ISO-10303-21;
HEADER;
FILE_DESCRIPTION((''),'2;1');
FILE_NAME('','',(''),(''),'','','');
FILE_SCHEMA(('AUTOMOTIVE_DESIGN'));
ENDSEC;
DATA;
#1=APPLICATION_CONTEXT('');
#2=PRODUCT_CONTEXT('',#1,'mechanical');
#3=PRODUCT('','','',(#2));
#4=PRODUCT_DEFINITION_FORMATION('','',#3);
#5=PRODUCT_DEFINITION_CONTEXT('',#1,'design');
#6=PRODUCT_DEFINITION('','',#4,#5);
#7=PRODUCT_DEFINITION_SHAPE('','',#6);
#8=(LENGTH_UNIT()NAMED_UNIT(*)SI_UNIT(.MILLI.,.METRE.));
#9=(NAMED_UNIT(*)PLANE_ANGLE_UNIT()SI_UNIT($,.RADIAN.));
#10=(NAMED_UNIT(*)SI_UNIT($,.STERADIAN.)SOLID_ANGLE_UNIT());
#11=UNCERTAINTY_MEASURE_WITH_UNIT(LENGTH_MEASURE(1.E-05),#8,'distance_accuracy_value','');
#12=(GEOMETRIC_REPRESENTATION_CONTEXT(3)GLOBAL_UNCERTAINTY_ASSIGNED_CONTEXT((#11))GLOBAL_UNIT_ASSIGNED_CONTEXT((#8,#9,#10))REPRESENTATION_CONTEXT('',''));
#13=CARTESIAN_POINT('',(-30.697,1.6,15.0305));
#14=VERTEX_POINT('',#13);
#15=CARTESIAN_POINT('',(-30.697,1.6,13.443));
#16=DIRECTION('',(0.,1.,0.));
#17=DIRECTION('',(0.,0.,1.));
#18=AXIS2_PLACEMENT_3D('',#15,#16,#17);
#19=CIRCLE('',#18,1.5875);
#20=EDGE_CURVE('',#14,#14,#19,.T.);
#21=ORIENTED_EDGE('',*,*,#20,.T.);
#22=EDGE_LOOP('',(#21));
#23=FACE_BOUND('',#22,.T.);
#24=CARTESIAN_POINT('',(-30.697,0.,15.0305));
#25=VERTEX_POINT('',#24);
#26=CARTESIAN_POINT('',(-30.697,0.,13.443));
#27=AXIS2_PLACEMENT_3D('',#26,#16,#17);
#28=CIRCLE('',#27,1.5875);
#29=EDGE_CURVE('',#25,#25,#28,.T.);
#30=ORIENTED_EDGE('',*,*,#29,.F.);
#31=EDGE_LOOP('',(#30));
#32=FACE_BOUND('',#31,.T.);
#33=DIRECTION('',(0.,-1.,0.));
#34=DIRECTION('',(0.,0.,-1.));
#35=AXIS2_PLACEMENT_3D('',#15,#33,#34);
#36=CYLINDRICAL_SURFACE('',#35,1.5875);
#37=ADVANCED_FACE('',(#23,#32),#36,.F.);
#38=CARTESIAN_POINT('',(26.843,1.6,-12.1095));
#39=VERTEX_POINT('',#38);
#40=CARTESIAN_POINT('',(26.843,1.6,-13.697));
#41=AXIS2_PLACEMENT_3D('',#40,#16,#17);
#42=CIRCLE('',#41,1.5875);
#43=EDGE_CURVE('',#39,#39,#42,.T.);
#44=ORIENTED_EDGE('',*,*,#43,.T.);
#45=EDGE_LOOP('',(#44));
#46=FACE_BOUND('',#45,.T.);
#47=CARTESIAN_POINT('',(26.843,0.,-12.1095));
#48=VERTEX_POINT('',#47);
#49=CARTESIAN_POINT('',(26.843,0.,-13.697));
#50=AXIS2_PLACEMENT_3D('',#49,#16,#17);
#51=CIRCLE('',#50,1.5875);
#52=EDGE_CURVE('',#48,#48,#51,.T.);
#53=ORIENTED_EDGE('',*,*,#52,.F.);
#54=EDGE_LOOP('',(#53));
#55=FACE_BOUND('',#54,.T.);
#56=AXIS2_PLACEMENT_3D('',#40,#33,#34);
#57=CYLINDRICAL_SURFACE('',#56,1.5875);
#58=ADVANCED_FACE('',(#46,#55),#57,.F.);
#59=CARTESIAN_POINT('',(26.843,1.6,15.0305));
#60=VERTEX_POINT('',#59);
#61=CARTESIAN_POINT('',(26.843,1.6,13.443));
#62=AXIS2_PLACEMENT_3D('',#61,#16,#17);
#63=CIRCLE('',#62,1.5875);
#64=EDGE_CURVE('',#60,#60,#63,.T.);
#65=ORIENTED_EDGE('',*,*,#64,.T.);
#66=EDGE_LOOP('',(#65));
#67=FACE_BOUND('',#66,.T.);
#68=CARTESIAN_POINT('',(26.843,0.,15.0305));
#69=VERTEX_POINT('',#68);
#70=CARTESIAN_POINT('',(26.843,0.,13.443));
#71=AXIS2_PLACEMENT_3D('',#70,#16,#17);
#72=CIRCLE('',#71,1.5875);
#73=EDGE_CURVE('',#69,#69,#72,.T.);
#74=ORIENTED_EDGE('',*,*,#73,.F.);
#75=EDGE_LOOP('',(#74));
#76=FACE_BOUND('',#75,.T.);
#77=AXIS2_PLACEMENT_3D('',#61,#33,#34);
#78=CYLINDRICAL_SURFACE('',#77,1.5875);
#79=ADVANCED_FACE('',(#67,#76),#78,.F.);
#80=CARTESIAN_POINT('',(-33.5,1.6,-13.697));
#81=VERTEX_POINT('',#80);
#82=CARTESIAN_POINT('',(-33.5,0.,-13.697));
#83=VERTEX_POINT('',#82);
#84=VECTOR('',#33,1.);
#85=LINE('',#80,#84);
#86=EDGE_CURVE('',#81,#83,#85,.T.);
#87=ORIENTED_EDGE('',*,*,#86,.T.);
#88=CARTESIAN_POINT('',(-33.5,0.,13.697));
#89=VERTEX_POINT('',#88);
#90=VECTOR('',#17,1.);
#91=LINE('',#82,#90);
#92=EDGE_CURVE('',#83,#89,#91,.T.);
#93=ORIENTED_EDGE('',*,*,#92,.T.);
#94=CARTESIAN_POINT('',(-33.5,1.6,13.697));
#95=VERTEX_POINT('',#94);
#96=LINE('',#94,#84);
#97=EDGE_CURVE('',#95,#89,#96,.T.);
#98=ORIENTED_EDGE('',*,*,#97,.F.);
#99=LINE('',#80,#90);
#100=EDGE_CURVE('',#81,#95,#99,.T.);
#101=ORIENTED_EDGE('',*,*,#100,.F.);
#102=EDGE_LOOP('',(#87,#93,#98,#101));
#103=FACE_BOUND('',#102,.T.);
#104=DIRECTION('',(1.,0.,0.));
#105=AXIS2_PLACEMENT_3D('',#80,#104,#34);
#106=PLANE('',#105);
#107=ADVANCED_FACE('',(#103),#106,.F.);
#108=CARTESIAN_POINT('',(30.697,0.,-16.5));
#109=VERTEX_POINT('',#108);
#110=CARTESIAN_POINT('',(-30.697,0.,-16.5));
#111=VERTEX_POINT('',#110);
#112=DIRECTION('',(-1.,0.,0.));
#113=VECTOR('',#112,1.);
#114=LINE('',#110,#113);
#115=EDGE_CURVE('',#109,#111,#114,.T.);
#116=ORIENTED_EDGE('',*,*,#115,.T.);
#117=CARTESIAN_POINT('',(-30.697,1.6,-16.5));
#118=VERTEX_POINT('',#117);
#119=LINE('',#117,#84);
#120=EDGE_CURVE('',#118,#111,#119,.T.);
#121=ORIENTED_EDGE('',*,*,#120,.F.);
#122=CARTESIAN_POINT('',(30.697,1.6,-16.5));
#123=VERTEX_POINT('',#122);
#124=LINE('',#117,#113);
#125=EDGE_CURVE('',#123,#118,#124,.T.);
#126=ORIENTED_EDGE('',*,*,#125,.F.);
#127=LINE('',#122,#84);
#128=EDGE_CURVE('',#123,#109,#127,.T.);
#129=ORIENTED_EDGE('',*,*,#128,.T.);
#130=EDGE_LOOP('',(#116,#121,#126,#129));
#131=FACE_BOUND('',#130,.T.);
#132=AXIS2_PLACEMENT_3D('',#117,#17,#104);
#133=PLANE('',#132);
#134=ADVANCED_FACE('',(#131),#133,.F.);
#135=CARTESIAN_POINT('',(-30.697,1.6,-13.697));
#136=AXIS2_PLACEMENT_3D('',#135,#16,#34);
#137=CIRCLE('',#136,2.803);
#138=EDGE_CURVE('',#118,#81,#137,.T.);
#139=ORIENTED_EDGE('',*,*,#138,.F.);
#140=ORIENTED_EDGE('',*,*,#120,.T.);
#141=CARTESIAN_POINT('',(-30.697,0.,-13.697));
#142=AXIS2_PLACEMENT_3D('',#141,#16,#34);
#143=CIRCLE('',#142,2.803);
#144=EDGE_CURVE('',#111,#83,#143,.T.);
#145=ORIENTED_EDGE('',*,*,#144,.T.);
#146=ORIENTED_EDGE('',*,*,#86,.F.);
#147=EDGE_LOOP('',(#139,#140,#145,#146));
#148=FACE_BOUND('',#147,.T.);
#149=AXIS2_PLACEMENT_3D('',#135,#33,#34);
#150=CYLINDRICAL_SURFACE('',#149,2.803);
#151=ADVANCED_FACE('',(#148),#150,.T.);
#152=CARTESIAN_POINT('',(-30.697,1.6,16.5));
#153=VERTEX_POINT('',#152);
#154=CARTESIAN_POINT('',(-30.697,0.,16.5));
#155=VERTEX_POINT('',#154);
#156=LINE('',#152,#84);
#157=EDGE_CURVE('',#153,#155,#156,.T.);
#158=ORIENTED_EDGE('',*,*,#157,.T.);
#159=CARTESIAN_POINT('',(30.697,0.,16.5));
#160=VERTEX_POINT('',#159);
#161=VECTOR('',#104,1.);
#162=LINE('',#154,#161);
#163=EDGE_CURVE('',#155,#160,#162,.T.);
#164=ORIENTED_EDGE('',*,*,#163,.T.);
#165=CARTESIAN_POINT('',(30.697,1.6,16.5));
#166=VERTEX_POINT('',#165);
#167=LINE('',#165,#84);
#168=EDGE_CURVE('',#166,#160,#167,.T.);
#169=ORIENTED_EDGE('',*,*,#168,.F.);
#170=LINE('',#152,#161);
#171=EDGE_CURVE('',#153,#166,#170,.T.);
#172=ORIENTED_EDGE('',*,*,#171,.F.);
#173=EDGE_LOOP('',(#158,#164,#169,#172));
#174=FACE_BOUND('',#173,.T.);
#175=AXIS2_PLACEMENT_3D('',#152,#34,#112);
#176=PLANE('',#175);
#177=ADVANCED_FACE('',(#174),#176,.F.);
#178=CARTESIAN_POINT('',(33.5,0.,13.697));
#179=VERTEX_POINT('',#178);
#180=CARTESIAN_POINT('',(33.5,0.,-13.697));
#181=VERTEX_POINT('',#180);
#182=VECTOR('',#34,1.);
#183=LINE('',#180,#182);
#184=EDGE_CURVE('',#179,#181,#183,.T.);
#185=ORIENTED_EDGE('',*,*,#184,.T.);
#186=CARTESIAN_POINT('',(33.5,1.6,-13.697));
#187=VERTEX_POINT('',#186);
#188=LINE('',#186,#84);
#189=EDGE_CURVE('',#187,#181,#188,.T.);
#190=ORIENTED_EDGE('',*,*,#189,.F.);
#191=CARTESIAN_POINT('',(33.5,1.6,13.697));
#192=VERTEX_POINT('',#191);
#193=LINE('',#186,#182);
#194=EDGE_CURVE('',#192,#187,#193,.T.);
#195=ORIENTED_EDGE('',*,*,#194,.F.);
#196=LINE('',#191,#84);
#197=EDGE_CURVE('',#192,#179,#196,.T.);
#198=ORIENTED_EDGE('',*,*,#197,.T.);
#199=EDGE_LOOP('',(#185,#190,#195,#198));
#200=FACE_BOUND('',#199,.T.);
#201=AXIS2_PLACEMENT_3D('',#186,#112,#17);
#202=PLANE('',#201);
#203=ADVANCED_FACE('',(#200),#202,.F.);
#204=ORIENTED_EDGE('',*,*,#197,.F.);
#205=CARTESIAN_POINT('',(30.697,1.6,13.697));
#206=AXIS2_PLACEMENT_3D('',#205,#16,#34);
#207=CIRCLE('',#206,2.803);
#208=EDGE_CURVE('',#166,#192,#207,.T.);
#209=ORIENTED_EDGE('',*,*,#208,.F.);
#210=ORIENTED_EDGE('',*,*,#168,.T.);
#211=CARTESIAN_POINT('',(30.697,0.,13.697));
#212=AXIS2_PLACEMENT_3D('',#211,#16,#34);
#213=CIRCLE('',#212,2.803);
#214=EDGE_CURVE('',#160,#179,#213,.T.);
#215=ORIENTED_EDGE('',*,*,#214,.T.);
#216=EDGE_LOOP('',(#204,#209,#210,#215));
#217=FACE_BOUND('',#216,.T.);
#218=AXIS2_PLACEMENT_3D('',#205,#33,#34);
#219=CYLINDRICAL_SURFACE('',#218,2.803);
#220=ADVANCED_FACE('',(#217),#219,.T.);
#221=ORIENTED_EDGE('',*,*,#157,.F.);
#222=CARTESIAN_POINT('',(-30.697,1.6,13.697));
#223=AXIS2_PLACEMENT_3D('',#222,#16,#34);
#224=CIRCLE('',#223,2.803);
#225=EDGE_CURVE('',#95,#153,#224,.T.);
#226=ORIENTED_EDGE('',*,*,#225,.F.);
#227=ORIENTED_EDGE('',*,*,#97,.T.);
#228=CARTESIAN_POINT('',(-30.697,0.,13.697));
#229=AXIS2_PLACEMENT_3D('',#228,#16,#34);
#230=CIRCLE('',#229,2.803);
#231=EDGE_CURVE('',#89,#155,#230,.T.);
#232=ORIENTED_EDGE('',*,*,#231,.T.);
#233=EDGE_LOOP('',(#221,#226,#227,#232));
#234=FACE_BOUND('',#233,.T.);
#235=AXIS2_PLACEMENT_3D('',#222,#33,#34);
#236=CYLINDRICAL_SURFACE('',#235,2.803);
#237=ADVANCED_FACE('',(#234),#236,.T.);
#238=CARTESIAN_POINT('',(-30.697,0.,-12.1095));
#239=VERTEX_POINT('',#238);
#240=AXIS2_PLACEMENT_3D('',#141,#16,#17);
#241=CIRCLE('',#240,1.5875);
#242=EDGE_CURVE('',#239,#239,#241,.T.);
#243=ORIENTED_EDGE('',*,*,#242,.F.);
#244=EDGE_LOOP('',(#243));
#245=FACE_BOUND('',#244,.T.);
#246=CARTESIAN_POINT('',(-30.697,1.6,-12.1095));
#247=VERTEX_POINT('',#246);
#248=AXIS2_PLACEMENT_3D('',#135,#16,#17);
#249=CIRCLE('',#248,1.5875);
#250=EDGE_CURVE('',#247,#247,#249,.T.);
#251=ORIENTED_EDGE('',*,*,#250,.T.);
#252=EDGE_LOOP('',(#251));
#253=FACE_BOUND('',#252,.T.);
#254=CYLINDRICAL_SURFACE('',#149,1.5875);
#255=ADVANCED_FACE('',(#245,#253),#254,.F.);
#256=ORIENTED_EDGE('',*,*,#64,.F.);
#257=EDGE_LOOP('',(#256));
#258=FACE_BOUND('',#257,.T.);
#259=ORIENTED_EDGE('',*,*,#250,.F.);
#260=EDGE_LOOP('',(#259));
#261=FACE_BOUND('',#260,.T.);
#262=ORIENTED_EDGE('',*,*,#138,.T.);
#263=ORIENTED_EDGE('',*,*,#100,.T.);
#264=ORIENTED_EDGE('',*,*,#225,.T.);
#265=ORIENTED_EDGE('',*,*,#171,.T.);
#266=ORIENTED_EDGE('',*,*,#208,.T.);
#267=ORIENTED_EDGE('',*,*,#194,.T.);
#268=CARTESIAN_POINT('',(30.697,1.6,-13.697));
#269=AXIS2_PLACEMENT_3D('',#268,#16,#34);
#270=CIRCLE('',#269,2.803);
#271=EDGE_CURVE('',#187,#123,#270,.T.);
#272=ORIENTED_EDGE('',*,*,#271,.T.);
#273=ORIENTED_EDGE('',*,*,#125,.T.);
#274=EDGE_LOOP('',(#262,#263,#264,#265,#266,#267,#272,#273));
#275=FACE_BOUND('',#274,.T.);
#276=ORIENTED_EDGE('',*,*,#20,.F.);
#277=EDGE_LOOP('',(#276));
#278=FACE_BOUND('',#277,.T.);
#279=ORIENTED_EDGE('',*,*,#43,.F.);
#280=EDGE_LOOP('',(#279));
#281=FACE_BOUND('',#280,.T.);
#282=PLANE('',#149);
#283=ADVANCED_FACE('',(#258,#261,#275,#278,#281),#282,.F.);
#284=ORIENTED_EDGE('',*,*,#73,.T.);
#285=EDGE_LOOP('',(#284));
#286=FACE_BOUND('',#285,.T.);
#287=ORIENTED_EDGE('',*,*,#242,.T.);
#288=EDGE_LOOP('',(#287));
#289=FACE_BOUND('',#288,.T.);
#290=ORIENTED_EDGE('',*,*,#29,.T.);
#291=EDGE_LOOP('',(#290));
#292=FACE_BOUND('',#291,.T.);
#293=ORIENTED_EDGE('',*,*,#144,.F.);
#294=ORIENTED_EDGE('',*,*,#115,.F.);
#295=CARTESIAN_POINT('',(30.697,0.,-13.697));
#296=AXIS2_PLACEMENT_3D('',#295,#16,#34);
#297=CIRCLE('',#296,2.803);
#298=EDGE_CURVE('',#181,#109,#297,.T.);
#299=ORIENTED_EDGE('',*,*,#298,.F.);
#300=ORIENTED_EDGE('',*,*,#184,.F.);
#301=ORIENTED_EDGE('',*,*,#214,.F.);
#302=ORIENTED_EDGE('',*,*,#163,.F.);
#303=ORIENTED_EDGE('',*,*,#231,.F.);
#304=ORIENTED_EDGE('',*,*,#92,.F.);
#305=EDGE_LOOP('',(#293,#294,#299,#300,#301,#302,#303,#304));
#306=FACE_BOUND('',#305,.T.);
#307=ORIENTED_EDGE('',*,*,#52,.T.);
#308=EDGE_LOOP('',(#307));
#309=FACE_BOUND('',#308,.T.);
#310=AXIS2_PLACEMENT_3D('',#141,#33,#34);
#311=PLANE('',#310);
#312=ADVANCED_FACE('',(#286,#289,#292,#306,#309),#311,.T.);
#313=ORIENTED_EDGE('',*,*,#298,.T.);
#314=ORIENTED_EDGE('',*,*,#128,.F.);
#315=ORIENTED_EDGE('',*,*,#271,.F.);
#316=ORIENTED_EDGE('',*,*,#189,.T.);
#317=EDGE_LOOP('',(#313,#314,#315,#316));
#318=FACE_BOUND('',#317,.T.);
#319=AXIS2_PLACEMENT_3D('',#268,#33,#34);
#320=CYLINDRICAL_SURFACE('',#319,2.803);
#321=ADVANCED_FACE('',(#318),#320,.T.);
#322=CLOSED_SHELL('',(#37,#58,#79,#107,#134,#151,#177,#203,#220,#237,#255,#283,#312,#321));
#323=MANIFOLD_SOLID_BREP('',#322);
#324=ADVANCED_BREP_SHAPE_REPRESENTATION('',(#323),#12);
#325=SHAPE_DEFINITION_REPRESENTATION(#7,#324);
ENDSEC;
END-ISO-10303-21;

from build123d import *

# Parameters (mm, degrees)
SKETCH1_R           = 1.5875
BOSS_EXTRUDE1_DEPTH = 1.6


with BuildPart() as part:
    # Sketch1 → Boss-Extrude1 (new body)
    with BuildSketch(Plane(origin=(0, 0, 0), x_dir=(1, 0, 0), z_dir=(0, 1, 0))):
        with BuildLine():
            Line((-33.5, 13.697), (-33.5, -13.697))
            ThreePointArc((-33.5, -13.697), (-32.679020308, -15.679020308), (-30.697, -16.5))
            Line((-30.697, -16.5), (30.697, -16.5))
            ThreePointArc((30.697, -16.5), (32.679020308, -15.679020308), (33.5, -13.697))
            Line((33.5, -13.697), (33.5, 13.697))
            ThreePointArc((33.5, 13.697), (32.679020308, 15.679020308), (30.697, 16.5))
            Line((30.697, 16.5), (-30.697, 16.5))
            ThreePointArc((-30.697, 16.5), (-32.679020308, 15.679020308), (-33.5, 13.697))
        make_face()
        with Locations(Location((-30.697, 13.697, 0), (0, 0, 270))):
            Circle(SKETCH1_R, mode=Mode.SUBTRACT)
        with Locations(Location((26.843, 13.697, 0), (0, 0, 270))):
            Circle(SKETCH1_R, mode=Mode.SUBTRACT)
        with Locations(Location((26.843, -13.443, 0), (0, 0, 270))):
            Circle(SKETCH1_R, mode=Mode.SUBTRACT)
        with Locations(Location((-30.697, -13.443, 0), (0, 0, 270))):
            Circle(SKETCH1_R, mode=Mode.SUBTRACT)
    extrude(amount=BOSS_EXTRUDE1_DEPTH)


solid = part.part
